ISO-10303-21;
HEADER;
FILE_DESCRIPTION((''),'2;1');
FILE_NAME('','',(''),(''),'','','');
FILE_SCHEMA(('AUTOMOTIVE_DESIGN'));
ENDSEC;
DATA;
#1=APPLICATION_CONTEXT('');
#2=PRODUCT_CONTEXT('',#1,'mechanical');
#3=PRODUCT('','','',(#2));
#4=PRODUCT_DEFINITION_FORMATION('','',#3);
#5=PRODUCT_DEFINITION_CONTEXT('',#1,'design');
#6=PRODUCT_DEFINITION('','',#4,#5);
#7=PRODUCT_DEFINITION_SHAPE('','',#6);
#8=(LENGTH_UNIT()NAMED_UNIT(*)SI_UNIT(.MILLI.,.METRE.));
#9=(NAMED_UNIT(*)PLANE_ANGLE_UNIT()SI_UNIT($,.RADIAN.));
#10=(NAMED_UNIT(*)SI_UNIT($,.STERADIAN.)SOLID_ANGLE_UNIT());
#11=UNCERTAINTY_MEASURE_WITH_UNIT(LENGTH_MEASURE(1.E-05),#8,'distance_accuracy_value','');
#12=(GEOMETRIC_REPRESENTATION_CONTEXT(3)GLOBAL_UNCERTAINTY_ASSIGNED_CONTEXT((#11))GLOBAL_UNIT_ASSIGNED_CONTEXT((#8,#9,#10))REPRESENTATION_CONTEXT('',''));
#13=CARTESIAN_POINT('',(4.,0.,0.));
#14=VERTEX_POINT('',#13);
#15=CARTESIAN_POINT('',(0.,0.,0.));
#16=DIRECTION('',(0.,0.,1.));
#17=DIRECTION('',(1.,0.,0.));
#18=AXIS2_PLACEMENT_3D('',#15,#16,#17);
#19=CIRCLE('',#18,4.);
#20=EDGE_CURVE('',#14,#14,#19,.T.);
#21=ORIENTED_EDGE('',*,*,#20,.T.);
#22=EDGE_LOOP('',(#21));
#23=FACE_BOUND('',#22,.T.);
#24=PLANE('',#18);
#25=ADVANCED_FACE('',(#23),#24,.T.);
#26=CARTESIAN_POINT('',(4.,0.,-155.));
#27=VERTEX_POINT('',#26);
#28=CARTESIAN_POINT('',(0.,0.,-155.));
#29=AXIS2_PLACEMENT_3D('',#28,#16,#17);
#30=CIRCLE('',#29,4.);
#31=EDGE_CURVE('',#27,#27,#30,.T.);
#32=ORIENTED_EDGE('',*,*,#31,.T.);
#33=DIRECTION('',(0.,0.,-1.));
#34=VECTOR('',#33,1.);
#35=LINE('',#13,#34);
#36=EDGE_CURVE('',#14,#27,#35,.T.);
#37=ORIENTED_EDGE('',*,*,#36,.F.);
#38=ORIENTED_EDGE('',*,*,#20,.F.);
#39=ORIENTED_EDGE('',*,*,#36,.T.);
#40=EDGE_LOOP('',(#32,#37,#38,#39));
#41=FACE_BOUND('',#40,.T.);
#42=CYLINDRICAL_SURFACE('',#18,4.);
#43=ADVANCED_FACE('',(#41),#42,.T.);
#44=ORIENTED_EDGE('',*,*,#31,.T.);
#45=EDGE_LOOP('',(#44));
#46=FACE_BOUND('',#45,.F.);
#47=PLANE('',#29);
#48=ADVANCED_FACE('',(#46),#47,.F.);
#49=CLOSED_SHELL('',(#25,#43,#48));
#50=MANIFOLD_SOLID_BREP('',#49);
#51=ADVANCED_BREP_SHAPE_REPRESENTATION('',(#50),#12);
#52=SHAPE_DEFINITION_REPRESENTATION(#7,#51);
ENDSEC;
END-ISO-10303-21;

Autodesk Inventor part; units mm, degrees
ref_plane "YZ Plane" through (0, 0, 0) normal (1, 0, 0) x (0, 1, 0)
ref_plane "XZ Plane" through (0, 0, 0) normal (0, 1, 0) x (-1, 0, 0)
ref_plane "XY Plane" through (0, 0, 0) normal (0, 0, 1) x (1, 0, 0)
sketch "スケッチ1" plane through (0, 0, 0) normal (0, 0, 1) x (1, 0, 0)
  circle A0 centre (0, 0) radius 4
  dimension "d0" = 8
extrude "押し出し1" add sketch "スケッチ1" against normal blind 155
properties part number "円柱8mm" material "ステンレス鋼"
